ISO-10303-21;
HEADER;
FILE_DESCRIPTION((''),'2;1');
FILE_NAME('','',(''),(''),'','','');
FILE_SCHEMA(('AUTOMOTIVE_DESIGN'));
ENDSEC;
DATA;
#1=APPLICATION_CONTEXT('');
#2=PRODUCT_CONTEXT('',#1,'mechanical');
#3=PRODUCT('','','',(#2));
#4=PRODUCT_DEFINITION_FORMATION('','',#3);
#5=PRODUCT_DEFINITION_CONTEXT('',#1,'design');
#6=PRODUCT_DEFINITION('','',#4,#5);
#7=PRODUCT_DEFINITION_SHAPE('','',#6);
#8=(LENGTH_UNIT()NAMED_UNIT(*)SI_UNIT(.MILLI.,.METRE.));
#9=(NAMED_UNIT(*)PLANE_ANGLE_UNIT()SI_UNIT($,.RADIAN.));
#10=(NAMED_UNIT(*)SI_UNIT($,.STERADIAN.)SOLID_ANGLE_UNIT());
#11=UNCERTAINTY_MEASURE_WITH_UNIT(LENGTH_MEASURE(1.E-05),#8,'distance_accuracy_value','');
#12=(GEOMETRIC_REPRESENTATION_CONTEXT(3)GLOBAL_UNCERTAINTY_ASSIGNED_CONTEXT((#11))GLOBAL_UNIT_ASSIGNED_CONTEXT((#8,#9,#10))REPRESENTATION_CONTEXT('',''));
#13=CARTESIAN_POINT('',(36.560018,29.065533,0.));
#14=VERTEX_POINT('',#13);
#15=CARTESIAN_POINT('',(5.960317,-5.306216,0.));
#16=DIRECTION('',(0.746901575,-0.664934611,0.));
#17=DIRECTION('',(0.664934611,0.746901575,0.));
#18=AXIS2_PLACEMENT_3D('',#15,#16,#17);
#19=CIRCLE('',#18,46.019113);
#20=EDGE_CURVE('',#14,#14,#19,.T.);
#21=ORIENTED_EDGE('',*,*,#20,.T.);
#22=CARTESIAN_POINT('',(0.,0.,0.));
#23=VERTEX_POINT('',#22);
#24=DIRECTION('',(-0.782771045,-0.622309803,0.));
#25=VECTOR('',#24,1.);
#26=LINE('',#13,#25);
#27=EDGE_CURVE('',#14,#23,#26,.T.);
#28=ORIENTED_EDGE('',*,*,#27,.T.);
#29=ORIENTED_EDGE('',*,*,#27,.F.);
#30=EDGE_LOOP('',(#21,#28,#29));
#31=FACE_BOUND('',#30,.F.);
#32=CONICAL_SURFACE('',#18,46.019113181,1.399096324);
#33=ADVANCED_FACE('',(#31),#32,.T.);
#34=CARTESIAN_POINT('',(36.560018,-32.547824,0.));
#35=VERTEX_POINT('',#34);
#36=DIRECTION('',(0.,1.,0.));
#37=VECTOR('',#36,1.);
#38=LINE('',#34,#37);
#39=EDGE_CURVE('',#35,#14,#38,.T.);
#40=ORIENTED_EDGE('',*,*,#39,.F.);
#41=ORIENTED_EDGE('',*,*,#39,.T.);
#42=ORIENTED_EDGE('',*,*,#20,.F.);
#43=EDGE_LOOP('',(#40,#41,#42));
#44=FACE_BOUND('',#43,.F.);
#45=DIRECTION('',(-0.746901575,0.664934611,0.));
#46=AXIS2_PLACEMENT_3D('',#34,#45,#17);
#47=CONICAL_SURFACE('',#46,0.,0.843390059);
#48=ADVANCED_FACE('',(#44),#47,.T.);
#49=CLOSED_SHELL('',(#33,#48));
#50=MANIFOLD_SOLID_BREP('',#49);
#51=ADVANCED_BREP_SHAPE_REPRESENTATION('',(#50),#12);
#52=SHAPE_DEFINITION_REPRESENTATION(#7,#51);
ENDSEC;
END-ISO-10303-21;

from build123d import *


with BuildPart() as f1:
    # F0 (on Top) → F1 (revolve)
    with BuildSketch(Plane.XY):
        Polygon((36.5600176156, 29.0655326098), (0, 0), (36.5600176156, -32.5478240848), align=None)
    revolve(axis=Axis((18.2800088078, -16.2739120424, 0), (0.7469015754, -0.6649346108, 0)))


solid = f1.part
